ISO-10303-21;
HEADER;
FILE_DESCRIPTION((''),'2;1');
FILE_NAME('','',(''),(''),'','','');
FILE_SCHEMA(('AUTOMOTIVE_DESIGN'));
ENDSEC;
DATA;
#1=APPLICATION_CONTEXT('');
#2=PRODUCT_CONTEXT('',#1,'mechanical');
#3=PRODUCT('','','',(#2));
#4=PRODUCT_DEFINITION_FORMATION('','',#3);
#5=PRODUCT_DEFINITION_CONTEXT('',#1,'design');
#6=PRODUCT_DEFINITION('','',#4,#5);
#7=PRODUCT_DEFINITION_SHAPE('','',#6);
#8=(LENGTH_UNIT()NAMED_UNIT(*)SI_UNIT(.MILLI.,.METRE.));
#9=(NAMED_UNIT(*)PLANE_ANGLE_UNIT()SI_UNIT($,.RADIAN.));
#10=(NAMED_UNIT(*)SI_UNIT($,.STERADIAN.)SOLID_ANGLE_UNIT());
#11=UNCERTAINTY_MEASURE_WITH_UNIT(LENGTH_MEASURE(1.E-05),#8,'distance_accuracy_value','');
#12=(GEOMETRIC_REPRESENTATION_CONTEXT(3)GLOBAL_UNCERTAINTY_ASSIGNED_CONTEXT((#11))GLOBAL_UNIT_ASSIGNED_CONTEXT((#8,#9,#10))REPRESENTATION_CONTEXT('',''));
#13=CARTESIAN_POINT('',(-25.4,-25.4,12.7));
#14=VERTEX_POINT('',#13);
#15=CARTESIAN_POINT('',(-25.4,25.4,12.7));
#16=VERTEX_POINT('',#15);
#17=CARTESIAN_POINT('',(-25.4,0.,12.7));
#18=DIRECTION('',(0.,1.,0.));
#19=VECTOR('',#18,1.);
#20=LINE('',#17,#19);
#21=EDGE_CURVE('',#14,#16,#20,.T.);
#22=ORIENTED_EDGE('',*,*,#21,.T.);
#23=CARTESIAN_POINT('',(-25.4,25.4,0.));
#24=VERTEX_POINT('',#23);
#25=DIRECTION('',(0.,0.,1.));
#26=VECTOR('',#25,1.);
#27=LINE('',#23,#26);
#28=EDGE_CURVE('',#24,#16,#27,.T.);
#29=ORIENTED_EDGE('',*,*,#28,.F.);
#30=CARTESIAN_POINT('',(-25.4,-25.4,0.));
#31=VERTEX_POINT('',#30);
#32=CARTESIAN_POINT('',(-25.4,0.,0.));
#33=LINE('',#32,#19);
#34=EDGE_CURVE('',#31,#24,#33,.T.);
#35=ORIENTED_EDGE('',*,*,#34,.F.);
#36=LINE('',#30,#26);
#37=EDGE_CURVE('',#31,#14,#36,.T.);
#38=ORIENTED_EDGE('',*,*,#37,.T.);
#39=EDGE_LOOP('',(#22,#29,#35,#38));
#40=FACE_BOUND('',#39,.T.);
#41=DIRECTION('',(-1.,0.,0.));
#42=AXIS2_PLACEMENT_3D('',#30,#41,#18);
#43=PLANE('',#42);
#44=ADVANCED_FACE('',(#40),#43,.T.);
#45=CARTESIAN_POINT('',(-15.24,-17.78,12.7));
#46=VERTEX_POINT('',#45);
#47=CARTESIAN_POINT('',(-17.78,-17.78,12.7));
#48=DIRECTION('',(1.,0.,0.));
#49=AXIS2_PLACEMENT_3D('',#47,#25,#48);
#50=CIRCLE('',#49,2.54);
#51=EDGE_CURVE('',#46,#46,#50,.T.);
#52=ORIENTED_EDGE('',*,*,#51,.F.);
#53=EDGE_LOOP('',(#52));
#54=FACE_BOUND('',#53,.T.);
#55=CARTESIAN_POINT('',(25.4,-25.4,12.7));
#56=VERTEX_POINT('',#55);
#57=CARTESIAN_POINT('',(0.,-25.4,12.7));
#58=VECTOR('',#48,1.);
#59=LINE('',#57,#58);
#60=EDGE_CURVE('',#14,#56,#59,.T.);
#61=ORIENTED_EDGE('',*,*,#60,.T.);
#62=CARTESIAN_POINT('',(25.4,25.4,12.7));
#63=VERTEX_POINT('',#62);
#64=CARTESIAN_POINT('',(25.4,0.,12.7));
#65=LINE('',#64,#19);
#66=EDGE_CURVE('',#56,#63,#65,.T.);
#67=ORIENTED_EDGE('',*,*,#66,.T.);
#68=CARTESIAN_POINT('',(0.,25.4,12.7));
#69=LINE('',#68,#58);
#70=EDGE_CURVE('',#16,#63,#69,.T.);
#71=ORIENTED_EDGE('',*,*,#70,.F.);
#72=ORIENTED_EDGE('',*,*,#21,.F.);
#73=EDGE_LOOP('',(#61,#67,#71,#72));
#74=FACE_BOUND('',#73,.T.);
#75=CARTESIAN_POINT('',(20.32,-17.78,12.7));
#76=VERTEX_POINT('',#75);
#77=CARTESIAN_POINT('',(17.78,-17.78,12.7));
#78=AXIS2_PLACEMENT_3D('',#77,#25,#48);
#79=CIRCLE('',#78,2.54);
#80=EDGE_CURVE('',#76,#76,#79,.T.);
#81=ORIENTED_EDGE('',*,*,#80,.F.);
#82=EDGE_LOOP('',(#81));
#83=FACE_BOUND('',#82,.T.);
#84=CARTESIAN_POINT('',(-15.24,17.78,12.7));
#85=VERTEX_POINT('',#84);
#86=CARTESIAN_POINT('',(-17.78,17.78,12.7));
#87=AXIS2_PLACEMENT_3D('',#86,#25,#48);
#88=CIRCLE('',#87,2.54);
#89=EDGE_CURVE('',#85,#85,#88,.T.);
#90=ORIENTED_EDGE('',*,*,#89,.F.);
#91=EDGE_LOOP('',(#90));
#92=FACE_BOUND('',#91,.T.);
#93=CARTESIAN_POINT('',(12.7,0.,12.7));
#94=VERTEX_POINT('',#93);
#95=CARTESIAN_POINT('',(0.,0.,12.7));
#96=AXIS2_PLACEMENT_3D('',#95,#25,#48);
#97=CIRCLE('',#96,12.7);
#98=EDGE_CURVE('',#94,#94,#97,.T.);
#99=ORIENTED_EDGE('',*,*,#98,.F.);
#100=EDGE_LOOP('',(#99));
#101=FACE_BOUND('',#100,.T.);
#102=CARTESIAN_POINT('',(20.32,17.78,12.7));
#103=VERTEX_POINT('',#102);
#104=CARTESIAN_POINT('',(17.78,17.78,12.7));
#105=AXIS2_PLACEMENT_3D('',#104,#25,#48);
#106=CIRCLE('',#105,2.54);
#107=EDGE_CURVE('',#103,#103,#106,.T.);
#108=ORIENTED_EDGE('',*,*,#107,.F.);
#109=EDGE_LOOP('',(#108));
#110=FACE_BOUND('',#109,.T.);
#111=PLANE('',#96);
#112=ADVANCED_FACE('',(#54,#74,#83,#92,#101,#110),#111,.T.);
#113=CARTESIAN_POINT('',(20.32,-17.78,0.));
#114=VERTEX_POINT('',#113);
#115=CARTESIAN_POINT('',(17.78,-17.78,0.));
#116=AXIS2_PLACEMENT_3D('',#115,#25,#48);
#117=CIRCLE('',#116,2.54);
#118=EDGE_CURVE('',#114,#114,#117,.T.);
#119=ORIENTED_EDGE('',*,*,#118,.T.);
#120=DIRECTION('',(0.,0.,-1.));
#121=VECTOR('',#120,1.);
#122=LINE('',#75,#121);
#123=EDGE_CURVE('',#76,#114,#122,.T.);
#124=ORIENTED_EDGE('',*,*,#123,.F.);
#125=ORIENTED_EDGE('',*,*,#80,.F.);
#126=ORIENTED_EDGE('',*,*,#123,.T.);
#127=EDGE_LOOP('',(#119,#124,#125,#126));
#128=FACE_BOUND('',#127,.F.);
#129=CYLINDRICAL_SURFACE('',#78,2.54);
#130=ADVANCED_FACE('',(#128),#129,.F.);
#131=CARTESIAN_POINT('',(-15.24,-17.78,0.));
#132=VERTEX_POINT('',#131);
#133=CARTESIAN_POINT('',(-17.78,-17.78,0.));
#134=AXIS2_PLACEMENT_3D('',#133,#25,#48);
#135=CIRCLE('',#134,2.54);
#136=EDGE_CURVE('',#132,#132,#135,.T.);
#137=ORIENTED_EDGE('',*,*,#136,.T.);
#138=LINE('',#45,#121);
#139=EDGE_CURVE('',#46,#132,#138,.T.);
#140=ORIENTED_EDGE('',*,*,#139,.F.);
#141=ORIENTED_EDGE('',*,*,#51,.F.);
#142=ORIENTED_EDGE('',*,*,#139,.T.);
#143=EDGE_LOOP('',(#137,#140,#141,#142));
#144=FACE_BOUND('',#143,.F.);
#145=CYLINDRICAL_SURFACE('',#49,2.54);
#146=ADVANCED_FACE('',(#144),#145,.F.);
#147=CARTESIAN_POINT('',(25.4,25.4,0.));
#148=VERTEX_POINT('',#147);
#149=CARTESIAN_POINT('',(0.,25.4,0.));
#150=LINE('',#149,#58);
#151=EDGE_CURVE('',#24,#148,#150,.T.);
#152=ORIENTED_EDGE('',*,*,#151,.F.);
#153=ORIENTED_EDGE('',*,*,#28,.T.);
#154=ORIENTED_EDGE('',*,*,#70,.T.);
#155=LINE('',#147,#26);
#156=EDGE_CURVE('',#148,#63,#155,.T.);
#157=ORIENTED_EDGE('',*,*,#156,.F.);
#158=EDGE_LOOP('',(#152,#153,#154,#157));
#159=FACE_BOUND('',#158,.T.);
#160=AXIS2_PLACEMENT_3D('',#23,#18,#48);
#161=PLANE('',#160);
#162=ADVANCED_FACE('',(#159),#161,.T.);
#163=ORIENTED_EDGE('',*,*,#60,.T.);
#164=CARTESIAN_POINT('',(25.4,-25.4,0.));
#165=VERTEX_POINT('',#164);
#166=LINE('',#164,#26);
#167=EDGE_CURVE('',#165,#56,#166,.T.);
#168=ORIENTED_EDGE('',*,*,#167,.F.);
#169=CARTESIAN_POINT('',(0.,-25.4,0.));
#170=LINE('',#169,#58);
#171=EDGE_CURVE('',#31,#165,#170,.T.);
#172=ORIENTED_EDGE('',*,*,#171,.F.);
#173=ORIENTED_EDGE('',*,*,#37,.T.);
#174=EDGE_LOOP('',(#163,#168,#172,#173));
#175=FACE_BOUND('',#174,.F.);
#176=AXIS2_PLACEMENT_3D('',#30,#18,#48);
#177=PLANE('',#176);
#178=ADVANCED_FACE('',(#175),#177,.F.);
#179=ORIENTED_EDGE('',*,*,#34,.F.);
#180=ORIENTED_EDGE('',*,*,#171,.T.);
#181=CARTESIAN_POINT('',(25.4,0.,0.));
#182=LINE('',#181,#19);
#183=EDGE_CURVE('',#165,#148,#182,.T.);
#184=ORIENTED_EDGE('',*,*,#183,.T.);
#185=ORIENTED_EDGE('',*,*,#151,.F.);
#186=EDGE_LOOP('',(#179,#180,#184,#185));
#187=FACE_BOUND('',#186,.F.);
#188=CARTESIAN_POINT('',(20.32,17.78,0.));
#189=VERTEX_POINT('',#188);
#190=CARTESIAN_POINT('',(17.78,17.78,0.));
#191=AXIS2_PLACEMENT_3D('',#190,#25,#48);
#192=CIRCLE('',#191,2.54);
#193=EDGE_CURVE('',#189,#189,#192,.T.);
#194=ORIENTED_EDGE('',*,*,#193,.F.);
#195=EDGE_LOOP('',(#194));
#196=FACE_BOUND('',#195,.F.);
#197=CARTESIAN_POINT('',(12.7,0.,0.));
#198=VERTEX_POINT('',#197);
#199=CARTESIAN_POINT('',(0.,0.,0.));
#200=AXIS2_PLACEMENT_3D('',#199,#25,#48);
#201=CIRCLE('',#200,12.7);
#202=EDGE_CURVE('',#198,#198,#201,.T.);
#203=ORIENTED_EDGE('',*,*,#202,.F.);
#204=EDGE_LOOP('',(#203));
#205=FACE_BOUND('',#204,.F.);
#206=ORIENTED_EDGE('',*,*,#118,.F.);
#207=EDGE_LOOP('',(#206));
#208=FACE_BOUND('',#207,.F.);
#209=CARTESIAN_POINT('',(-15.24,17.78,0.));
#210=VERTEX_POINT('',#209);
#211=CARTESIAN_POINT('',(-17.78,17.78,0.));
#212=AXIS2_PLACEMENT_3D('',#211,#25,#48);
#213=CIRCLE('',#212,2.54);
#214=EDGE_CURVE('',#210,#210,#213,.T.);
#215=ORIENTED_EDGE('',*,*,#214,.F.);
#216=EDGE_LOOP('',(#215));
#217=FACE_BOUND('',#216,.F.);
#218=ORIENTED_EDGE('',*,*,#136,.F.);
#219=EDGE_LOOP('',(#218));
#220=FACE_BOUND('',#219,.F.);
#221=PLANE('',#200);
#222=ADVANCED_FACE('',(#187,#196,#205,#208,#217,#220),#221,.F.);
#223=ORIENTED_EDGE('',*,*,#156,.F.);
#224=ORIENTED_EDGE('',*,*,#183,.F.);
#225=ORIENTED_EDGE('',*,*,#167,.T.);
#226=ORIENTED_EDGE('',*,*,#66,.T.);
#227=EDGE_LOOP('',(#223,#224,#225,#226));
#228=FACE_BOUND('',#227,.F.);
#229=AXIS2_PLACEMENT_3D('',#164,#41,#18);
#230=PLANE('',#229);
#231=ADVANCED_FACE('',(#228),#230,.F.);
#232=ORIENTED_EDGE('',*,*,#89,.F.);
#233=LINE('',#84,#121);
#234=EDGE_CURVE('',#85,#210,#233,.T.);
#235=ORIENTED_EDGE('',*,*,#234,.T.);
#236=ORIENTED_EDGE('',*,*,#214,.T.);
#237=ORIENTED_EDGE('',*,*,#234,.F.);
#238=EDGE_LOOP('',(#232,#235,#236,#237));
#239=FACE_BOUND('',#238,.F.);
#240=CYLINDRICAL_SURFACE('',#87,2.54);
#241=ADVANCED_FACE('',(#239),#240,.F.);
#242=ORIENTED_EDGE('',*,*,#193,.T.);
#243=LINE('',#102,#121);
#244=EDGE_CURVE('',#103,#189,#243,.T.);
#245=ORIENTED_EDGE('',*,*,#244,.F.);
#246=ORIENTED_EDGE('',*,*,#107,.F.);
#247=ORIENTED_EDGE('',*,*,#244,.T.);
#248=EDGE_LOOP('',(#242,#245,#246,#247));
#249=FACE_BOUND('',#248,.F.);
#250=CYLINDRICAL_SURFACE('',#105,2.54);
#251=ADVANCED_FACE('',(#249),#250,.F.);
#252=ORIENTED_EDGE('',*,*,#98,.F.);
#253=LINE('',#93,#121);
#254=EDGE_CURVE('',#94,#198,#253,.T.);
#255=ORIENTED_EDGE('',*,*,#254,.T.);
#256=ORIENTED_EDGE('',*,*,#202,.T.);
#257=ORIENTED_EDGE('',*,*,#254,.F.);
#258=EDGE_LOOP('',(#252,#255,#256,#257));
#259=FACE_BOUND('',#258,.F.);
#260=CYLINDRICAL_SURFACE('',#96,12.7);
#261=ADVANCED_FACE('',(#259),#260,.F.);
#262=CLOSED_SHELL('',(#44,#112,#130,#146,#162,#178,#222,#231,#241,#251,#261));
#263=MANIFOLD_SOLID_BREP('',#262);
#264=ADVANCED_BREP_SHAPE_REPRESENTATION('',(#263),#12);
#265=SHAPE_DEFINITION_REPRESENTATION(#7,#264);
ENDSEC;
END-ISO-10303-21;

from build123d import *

# Parameters (mm, degrees)
F0_W     = 50.8
F0_H     = 50.8
F1_DEPTH = 12.7
F2_R     = 2.54
F2_R_2   = 12.7
F3_DEPTH = 25.146


with BuildPart() as f1:
    # F0 (on Top) → F1 (new body)
    with BuildSketch(Plane.XY):
        Rectangle(F0_W, F0_H)
    extrude(amount=F1_DEPTH)

    # F2 (on face) → F3 (cut)
    with BuildSketch(Plane.XY.offset(12.7)):
        with Locations((17.78, 17.78)):
            Circle(F2_R)
        with Locations((17.78, -17.78)):
            Circle(F2_R)
        with Locations((-17.78, 17.78)):
            Circle(F2_R)
        with Locations((-17.78, -17.78)):
            Circle(F2_R)
        Circle(F2_R_2)
    extrude(amount=-F3_DEPTH, mode=Mode.SUBTRACT)


solid = f1.part
